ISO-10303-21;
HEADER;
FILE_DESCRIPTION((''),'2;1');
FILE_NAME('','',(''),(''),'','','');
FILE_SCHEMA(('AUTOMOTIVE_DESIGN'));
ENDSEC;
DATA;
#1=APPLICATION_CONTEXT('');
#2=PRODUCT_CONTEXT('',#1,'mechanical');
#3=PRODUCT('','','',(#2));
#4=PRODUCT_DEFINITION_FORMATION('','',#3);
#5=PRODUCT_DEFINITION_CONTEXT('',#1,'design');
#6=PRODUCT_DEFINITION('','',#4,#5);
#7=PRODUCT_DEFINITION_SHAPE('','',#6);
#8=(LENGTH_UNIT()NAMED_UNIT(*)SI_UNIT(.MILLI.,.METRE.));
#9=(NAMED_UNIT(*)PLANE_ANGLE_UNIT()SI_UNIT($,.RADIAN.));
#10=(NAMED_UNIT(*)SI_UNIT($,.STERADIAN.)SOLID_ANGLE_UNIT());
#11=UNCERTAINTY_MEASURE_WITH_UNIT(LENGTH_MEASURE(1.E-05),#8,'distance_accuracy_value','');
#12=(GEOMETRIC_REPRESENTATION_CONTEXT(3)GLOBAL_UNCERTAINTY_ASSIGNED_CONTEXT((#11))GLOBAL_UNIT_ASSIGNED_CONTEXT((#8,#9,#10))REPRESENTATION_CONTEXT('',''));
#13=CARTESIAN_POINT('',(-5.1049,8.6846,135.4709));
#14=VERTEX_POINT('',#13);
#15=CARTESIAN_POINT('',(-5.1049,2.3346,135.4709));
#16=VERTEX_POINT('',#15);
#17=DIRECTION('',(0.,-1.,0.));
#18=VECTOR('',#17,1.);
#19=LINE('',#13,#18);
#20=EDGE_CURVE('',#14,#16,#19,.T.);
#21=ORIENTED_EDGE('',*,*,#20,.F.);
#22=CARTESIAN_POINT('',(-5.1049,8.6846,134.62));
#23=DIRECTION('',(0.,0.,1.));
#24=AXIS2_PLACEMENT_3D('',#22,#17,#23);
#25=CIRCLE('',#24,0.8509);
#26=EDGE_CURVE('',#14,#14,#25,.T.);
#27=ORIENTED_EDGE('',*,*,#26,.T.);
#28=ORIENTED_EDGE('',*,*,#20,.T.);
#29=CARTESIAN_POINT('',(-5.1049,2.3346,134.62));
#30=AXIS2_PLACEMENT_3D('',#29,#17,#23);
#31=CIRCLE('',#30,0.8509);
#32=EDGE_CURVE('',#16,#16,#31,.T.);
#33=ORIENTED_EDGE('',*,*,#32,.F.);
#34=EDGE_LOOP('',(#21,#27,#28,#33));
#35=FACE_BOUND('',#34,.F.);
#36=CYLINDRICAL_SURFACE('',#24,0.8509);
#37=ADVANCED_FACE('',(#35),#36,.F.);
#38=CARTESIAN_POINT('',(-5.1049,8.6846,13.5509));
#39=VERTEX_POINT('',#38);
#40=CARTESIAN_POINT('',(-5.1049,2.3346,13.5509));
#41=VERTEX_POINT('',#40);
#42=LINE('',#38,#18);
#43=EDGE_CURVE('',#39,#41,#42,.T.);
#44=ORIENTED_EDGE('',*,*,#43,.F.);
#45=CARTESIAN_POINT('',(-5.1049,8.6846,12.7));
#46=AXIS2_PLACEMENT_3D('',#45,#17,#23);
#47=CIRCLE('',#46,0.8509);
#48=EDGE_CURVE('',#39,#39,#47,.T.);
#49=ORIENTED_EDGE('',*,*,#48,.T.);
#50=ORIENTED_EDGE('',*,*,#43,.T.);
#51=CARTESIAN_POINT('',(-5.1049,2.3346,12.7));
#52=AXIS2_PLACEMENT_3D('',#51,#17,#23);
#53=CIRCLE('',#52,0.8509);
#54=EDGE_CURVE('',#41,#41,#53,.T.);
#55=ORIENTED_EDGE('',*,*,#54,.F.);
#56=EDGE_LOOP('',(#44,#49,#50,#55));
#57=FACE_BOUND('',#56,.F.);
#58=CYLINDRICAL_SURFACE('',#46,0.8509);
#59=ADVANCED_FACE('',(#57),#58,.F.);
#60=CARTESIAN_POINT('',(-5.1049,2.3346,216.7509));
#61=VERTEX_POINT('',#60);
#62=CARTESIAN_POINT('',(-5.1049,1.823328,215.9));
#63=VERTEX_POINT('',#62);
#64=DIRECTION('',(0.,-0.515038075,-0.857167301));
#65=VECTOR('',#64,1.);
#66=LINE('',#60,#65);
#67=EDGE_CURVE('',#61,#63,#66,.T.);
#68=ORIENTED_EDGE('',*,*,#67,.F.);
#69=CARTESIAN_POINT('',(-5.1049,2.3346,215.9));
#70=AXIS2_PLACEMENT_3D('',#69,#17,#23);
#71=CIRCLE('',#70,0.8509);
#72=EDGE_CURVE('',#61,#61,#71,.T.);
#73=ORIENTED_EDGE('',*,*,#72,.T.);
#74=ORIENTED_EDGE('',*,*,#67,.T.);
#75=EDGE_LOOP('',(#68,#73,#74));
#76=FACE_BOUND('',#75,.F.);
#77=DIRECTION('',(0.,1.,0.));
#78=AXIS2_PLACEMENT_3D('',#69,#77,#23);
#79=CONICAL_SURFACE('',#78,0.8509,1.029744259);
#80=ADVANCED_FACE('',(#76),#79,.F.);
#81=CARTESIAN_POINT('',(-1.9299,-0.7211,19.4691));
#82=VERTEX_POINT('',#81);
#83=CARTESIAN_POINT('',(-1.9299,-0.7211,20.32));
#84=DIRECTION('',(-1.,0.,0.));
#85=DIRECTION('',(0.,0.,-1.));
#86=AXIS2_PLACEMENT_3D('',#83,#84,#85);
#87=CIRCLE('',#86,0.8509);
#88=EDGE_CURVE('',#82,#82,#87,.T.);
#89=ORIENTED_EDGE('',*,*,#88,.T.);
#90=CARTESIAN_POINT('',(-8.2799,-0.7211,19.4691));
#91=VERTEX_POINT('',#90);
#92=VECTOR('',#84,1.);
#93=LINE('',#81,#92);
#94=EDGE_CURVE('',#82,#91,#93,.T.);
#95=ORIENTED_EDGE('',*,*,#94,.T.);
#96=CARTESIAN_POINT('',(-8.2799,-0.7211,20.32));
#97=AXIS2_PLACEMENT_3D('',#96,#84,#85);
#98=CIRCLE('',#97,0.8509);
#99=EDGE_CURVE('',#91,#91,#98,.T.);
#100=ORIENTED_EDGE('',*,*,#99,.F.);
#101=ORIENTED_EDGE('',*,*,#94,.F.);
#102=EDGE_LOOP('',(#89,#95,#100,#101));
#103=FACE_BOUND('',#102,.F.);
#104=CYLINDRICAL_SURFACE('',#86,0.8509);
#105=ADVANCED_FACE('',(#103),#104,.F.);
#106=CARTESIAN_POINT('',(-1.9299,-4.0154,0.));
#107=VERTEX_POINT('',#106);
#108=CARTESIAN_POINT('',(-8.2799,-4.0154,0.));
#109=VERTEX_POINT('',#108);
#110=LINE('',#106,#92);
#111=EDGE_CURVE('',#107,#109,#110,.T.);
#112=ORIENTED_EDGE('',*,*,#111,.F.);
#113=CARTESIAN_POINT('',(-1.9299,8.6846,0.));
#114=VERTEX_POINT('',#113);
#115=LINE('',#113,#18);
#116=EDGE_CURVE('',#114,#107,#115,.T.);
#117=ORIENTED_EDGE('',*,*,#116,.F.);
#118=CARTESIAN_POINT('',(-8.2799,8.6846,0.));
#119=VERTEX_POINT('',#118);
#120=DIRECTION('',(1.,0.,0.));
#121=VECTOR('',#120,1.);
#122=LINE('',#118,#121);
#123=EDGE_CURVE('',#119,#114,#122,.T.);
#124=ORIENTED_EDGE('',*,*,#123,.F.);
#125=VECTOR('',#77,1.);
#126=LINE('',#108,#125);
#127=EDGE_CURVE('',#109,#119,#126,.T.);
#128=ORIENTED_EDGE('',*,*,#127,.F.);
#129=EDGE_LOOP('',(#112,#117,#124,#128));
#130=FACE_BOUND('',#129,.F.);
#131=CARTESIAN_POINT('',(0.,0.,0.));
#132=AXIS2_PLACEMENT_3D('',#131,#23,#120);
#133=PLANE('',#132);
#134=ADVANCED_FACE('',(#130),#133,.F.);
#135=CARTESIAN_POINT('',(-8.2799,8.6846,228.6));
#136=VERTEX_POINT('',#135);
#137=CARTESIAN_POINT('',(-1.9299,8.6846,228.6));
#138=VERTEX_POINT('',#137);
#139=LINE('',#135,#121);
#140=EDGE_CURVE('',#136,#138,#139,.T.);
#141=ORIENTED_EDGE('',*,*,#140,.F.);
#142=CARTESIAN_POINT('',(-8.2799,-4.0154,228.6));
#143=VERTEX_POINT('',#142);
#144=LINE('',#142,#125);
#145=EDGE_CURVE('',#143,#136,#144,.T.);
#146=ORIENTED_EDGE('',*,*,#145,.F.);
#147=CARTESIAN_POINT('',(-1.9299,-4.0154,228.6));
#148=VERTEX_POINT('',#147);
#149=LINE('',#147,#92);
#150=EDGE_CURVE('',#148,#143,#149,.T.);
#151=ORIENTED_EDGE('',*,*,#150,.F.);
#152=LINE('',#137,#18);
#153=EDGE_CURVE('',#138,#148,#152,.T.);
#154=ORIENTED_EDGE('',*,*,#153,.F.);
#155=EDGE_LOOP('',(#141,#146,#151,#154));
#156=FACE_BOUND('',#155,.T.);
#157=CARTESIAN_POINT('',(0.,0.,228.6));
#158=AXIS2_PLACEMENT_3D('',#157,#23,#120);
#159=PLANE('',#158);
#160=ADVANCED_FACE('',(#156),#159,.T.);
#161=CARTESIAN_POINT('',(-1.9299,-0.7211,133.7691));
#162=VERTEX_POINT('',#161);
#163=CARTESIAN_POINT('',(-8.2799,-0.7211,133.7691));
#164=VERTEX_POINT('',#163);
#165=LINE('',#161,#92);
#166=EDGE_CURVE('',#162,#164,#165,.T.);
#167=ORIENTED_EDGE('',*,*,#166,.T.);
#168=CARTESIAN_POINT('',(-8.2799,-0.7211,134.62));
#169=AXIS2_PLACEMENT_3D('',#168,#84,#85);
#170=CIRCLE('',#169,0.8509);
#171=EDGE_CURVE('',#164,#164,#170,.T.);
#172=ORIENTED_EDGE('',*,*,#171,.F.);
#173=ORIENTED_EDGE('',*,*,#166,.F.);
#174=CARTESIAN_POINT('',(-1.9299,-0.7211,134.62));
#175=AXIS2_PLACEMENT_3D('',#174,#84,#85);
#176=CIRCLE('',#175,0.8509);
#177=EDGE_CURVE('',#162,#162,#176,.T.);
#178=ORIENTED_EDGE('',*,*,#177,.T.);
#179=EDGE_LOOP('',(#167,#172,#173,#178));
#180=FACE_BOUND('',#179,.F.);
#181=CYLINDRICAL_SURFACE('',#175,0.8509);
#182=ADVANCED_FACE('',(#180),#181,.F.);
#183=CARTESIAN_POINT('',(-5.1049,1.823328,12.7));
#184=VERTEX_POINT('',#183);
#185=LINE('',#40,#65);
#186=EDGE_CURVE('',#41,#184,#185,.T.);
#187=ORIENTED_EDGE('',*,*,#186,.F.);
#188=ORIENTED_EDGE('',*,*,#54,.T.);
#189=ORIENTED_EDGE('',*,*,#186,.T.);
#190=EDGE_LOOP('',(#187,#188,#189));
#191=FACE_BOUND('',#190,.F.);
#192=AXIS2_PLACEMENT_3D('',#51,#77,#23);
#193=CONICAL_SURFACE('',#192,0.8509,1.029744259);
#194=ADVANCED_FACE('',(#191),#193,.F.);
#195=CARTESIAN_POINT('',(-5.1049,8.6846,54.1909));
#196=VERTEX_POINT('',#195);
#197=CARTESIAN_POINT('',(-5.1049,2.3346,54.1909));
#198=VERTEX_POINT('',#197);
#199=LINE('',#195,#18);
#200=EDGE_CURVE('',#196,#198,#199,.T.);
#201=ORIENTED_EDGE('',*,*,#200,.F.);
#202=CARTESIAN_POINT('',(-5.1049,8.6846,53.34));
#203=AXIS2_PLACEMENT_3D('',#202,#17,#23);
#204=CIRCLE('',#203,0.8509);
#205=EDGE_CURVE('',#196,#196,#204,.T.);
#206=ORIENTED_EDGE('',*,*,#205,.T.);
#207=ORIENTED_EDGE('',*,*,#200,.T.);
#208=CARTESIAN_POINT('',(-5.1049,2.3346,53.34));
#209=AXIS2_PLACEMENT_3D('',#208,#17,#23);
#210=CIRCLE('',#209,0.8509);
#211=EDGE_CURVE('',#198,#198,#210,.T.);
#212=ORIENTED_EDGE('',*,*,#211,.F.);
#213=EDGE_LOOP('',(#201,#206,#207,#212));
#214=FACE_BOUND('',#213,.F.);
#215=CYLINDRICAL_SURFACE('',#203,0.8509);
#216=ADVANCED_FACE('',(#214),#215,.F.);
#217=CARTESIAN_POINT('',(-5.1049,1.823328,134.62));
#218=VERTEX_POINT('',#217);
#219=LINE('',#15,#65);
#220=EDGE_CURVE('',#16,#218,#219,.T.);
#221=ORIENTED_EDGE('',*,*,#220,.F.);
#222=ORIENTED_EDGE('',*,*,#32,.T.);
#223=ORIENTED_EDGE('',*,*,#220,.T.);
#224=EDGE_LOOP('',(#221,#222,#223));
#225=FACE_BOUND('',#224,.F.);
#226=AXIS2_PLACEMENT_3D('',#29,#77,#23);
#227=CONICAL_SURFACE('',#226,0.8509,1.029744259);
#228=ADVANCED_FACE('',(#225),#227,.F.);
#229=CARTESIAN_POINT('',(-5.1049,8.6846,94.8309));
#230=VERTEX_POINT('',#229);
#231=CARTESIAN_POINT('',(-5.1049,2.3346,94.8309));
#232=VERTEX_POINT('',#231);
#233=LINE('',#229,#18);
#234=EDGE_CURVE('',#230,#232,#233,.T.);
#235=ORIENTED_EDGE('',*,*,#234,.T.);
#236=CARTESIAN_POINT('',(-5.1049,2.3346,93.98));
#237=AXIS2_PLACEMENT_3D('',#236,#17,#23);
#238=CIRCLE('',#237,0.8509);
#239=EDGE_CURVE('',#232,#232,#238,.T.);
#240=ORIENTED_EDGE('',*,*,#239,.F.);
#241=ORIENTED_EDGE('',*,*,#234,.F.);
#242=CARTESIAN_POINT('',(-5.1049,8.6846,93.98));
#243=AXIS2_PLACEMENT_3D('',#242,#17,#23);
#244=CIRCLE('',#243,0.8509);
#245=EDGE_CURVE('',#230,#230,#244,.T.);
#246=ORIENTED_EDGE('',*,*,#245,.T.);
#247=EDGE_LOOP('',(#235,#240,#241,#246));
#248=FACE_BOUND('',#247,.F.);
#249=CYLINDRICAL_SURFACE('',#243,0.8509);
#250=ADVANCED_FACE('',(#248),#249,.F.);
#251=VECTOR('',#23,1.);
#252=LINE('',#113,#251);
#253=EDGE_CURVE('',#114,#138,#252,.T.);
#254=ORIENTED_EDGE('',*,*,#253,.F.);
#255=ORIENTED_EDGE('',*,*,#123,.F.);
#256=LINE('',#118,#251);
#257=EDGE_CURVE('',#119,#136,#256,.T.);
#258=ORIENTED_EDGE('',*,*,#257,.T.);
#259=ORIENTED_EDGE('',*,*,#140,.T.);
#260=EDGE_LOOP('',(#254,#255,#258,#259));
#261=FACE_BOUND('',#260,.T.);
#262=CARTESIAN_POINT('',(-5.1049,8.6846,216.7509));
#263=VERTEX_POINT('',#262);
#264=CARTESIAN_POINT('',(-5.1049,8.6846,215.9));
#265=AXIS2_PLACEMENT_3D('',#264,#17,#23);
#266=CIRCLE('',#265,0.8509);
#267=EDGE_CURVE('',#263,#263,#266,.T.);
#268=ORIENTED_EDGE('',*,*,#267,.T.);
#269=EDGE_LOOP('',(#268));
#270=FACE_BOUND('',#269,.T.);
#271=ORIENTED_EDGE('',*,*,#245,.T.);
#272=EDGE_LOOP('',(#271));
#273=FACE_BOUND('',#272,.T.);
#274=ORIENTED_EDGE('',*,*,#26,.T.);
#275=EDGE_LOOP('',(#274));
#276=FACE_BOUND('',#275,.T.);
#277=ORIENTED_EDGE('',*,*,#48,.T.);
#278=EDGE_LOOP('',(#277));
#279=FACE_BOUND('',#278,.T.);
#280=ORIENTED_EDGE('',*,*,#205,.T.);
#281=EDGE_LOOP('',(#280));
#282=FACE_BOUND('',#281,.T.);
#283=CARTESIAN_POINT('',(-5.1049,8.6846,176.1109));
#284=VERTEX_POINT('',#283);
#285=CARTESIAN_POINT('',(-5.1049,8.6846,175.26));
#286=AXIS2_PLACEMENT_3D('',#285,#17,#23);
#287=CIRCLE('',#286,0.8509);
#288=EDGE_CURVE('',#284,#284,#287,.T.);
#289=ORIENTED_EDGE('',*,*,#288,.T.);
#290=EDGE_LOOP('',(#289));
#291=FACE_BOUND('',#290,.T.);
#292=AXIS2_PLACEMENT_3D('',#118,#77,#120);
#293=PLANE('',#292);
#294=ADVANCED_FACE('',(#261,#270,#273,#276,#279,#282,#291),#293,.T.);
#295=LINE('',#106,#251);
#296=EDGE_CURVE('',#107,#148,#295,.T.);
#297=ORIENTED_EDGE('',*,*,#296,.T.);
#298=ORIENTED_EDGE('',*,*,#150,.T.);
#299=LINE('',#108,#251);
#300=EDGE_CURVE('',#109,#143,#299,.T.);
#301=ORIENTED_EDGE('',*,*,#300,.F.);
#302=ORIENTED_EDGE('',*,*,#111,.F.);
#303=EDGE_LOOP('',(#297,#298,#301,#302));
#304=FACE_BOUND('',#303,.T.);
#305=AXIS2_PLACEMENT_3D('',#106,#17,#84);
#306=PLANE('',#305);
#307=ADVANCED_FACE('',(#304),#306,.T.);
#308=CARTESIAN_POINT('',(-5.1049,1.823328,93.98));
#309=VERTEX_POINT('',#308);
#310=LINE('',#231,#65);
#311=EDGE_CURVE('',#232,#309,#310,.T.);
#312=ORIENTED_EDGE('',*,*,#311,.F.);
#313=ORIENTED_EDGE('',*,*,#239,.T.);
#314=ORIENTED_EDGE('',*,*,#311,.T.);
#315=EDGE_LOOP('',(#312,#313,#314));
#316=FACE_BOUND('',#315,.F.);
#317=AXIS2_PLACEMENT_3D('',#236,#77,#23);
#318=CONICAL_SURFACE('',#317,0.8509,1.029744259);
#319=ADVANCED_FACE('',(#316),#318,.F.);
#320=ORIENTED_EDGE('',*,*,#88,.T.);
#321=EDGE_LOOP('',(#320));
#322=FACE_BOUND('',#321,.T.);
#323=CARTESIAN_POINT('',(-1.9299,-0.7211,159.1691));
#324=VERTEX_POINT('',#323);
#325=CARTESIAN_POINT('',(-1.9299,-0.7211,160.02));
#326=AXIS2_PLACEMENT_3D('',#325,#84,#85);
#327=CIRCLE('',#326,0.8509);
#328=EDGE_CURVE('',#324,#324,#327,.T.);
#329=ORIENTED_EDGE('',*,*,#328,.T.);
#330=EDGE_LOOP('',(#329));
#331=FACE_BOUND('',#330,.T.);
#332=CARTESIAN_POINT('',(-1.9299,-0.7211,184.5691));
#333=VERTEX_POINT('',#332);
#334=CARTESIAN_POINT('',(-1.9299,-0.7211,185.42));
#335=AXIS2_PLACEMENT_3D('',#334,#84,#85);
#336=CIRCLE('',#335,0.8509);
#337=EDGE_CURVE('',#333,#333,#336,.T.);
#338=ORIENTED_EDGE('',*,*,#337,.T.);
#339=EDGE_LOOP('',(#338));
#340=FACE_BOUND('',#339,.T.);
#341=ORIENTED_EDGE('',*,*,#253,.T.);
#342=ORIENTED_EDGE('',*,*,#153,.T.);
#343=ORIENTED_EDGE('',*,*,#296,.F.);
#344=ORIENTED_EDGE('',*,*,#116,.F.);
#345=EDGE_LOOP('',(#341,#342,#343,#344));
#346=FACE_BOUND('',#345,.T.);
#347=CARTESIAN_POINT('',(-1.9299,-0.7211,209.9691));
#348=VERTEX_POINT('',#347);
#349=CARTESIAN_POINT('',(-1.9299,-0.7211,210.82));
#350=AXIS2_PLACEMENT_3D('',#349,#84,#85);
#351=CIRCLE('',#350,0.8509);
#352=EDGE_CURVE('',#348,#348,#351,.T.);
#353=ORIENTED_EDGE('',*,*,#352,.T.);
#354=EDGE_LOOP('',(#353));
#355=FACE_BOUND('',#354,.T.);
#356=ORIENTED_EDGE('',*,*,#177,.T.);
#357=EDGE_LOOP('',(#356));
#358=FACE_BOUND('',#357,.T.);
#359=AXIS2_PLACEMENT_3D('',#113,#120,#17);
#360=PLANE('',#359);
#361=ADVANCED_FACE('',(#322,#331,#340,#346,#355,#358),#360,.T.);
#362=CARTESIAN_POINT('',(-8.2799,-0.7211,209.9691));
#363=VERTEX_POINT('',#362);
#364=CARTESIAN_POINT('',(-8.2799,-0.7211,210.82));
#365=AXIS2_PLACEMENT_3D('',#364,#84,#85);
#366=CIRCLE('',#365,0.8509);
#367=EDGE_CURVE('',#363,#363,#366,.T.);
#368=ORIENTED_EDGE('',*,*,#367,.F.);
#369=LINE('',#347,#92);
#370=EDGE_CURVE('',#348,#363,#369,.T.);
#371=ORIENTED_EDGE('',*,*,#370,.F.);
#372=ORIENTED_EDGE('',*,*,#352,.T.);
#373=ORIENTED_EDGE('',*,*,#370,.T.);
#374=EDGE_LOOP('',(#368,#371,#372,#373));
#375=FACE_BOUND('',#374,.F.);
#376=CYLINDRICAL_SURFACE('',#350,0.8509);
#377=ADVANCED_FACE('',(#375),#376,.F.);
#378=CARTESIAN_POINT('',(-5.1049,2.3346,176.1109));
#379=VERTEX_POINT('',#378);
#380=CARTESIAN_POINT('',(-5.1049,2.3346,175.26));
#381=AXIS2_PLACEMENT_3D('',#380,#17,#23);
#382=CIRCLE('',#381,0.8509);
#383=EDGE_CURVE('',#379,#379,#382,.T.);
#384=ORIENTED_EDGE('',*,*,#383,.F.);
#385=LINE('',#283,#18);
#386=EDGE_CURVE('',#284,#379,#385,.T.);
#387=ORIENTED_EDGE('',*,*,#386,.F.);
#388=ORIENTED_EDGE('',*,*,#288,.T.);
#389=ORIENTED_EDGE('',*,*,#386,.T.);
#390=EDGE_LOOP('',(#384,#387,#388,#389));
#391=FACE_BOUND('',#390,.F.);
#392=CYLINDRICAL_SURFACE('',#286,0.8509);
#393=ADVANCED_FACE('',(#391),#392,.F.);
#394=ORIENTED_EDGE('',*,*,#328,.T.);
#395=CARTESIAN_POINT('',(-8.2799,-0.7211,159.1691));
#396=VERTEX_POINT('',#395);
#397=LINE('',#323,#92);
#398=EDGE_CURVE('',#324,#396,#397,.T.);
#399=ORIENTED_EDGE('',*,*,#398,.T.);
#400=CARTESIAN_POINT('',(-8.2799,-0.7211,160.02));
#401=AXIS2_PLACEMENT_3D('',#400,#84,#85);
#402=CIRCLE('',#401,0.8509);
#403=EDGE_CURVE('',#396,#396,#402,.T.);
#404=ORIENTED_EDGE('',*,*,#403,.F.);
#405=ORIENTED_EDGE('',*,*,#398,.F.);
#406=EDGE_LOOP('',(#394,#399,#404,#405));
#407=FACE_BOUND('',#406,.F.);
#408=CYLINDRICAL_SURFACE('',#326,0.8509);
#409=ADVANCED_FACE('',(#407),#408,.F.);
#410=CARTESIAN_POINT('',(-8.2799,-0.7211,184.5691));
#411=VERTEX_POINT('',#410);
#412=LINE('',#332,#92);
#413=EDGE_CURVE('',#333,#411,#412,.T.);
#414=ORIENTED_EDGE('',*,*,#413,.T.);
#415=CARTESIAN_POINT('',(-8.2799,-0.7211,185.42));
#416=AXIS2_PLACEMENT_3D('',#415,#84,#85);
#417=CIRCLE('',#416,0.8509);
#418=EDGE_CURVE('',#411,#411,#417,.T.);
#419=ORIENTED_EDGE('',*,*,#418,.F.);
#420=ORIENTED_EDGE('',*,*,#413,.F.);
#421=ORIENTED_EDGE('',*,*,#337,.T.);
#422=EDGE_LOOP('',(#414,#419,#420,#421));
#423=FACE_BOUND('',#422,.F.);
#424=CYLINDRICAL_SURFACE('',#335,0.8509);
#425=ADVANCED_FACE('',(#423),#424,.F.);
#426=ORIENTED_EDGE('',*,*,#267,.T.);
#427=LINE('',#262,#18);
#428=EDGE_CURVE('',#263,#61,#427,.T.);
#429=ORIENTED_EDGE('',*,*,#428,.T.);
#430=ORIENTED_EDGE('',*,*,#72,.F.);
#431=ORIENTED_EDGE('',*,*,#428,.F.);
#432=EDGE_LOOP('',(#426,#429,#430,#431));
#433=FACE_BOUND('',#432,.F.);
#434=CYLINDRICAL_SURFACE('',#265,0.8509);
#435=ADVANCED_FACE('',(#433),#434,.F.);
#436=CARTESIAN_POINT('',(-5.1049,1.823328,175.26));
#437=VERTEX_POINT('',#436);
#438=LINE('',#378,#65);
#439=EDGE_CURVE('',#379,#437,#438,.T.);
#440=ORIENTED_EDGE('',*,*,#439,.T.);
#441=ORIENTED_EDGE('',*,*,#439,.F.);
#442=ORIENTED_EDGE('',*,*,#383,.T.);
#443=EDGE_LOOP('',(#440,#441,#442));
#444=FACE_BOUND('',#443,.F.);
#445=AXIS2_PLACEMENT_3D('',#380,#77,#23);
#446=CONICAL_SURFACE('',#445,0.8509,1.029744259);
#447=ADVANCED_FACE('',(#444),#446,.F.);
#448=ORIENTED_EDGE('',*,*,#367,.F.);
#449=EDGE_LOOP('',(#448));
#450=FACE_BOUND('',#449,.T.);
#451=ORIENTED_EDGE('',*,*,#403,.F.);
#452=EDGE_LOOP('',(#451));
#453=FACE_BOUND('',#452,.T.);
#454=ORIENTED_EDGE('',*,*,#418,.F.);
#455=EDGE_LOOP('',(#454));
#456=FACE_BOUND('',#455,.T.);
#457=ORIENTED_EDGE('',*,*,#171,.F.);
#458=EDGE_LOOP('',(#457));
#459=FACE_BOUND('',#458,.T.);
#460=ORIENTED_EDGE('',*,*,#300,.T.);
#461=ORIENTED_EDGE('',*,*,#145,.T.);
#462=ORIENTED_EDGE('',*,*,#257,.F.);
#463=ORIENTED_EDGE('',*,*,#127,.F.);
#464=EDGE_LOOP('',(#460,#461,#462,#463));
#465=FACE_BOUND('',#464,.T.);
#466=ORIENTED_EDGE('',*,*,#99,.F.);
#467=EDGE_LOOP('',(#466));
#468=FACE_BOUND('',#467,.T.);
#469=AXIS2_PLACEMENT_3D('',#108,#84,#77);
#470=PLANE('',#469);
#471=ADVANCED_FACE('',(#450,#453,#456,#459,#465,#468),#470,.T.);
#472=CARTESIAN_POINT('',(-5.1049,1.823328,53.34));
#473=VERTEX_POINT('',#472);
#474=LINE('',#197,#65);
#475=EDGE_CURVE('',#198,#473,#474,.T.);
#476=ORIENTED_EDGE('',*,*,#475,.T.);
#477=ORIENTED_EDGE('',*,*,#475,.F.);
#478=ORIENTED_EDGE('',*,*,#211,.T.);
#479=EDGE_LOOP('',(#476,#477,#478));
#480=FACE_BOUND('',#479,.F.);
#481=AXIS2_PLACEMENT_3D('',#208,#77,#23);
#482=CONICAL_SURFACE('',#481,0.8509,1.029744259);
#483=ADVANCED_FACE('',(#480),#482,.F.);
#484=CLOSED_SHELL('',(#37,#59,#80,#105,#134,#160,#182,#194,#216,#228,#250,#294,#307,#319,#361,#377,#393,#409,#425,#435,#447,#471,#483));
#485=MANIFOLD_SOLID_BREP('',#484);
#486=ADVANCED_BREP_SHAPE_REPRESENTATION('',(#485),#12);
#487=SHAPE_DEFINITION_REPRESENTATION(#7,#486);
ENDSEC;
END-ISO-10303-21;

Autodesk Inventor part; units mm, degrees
ref_plane "YZ Plane" through (0, 0, 0) normal (1, 0, 0) x (0, 1, 0)
ref_plane "XZ Plane" through (0, 0, 0) normal (0, 1, 0) x (-1, 0, 0)
ref_plane "XY Plane" through (0, 0, 0) normal (0, 0, 1) x (1, 0, 0)
sketch "Sketch2" plane through (0, 0, 0) normal (0, 0, 1) x (1, 0, 0)
  line L0 (-8.2799, 8.6846) -> (-1.9299, 8.6846)
  line L1 (-1.9299, 8.6846) -> (-1.9299, -4.0154)
  line L2 (-1.9299, -4.0154) -> (-8.2799, -4.0154)
  line L3 (-8.2799, -4.0154) -> (-8.2799, 8.6846)
  point P0 (0, 0)
  dimension "d3" = 6.35
  dimension "d5" = 12.7
extrude "Extrusion1" add sketch "Sketch2" along normal blind 228.6
sketch "Sketch3" plane through (-1.9299, -4.0154, 0) normal (1, 0, 0) x (0, 0, -1)
  point P0 (-228.6, 12.7)
  point P1 (0, 4.0154)
  point P2 (-210.82, 3.2944)
  point P3 (-20.32, 3.2944)
  dimension "d8" = 9.4056
  dimension "d9" = 17.78
  dimension "d60" = 208.28
  dimension "d61" = 9.4056
hole "Hole1" at (-1.9299, -0.7211, 210.82) direction (-1, 0, 0) diameter 1.7018 end through all
pattern_linear "Rectangular Pattern1" count 4 spacing 25.4 along (0, 0, -1) of "Hole1"
hole "Hole5" at (-1.9299, -0.7211, 20.32) direction (-1, 0, 0) diameter 1.7018 end through all
sketch "Sketch7" plane through (-8.2799, 8.6846, 0) normal (0, 1, 0) x (1, 0, 0)
  point P0 (6.35, -228.6)
  point P1 (8.2799, 0)
  point P2 (3.175, -215.9)
  dimension "d69" = 12.7
  dimension "d70" = 3.175
hole "Hole6" at (-5.1049, 8.6846, 215.9) direction (0, -1, 0) diameter 1.7018 depth 6.35 tip angle 118
pattern_linear "Rectangular Pattern5" count 6 spacing 40.64 along (0, 0, -1) of "Hole6"
properties part number "mounting rail 9.0 x.250 x.500-B" material "Gold"
